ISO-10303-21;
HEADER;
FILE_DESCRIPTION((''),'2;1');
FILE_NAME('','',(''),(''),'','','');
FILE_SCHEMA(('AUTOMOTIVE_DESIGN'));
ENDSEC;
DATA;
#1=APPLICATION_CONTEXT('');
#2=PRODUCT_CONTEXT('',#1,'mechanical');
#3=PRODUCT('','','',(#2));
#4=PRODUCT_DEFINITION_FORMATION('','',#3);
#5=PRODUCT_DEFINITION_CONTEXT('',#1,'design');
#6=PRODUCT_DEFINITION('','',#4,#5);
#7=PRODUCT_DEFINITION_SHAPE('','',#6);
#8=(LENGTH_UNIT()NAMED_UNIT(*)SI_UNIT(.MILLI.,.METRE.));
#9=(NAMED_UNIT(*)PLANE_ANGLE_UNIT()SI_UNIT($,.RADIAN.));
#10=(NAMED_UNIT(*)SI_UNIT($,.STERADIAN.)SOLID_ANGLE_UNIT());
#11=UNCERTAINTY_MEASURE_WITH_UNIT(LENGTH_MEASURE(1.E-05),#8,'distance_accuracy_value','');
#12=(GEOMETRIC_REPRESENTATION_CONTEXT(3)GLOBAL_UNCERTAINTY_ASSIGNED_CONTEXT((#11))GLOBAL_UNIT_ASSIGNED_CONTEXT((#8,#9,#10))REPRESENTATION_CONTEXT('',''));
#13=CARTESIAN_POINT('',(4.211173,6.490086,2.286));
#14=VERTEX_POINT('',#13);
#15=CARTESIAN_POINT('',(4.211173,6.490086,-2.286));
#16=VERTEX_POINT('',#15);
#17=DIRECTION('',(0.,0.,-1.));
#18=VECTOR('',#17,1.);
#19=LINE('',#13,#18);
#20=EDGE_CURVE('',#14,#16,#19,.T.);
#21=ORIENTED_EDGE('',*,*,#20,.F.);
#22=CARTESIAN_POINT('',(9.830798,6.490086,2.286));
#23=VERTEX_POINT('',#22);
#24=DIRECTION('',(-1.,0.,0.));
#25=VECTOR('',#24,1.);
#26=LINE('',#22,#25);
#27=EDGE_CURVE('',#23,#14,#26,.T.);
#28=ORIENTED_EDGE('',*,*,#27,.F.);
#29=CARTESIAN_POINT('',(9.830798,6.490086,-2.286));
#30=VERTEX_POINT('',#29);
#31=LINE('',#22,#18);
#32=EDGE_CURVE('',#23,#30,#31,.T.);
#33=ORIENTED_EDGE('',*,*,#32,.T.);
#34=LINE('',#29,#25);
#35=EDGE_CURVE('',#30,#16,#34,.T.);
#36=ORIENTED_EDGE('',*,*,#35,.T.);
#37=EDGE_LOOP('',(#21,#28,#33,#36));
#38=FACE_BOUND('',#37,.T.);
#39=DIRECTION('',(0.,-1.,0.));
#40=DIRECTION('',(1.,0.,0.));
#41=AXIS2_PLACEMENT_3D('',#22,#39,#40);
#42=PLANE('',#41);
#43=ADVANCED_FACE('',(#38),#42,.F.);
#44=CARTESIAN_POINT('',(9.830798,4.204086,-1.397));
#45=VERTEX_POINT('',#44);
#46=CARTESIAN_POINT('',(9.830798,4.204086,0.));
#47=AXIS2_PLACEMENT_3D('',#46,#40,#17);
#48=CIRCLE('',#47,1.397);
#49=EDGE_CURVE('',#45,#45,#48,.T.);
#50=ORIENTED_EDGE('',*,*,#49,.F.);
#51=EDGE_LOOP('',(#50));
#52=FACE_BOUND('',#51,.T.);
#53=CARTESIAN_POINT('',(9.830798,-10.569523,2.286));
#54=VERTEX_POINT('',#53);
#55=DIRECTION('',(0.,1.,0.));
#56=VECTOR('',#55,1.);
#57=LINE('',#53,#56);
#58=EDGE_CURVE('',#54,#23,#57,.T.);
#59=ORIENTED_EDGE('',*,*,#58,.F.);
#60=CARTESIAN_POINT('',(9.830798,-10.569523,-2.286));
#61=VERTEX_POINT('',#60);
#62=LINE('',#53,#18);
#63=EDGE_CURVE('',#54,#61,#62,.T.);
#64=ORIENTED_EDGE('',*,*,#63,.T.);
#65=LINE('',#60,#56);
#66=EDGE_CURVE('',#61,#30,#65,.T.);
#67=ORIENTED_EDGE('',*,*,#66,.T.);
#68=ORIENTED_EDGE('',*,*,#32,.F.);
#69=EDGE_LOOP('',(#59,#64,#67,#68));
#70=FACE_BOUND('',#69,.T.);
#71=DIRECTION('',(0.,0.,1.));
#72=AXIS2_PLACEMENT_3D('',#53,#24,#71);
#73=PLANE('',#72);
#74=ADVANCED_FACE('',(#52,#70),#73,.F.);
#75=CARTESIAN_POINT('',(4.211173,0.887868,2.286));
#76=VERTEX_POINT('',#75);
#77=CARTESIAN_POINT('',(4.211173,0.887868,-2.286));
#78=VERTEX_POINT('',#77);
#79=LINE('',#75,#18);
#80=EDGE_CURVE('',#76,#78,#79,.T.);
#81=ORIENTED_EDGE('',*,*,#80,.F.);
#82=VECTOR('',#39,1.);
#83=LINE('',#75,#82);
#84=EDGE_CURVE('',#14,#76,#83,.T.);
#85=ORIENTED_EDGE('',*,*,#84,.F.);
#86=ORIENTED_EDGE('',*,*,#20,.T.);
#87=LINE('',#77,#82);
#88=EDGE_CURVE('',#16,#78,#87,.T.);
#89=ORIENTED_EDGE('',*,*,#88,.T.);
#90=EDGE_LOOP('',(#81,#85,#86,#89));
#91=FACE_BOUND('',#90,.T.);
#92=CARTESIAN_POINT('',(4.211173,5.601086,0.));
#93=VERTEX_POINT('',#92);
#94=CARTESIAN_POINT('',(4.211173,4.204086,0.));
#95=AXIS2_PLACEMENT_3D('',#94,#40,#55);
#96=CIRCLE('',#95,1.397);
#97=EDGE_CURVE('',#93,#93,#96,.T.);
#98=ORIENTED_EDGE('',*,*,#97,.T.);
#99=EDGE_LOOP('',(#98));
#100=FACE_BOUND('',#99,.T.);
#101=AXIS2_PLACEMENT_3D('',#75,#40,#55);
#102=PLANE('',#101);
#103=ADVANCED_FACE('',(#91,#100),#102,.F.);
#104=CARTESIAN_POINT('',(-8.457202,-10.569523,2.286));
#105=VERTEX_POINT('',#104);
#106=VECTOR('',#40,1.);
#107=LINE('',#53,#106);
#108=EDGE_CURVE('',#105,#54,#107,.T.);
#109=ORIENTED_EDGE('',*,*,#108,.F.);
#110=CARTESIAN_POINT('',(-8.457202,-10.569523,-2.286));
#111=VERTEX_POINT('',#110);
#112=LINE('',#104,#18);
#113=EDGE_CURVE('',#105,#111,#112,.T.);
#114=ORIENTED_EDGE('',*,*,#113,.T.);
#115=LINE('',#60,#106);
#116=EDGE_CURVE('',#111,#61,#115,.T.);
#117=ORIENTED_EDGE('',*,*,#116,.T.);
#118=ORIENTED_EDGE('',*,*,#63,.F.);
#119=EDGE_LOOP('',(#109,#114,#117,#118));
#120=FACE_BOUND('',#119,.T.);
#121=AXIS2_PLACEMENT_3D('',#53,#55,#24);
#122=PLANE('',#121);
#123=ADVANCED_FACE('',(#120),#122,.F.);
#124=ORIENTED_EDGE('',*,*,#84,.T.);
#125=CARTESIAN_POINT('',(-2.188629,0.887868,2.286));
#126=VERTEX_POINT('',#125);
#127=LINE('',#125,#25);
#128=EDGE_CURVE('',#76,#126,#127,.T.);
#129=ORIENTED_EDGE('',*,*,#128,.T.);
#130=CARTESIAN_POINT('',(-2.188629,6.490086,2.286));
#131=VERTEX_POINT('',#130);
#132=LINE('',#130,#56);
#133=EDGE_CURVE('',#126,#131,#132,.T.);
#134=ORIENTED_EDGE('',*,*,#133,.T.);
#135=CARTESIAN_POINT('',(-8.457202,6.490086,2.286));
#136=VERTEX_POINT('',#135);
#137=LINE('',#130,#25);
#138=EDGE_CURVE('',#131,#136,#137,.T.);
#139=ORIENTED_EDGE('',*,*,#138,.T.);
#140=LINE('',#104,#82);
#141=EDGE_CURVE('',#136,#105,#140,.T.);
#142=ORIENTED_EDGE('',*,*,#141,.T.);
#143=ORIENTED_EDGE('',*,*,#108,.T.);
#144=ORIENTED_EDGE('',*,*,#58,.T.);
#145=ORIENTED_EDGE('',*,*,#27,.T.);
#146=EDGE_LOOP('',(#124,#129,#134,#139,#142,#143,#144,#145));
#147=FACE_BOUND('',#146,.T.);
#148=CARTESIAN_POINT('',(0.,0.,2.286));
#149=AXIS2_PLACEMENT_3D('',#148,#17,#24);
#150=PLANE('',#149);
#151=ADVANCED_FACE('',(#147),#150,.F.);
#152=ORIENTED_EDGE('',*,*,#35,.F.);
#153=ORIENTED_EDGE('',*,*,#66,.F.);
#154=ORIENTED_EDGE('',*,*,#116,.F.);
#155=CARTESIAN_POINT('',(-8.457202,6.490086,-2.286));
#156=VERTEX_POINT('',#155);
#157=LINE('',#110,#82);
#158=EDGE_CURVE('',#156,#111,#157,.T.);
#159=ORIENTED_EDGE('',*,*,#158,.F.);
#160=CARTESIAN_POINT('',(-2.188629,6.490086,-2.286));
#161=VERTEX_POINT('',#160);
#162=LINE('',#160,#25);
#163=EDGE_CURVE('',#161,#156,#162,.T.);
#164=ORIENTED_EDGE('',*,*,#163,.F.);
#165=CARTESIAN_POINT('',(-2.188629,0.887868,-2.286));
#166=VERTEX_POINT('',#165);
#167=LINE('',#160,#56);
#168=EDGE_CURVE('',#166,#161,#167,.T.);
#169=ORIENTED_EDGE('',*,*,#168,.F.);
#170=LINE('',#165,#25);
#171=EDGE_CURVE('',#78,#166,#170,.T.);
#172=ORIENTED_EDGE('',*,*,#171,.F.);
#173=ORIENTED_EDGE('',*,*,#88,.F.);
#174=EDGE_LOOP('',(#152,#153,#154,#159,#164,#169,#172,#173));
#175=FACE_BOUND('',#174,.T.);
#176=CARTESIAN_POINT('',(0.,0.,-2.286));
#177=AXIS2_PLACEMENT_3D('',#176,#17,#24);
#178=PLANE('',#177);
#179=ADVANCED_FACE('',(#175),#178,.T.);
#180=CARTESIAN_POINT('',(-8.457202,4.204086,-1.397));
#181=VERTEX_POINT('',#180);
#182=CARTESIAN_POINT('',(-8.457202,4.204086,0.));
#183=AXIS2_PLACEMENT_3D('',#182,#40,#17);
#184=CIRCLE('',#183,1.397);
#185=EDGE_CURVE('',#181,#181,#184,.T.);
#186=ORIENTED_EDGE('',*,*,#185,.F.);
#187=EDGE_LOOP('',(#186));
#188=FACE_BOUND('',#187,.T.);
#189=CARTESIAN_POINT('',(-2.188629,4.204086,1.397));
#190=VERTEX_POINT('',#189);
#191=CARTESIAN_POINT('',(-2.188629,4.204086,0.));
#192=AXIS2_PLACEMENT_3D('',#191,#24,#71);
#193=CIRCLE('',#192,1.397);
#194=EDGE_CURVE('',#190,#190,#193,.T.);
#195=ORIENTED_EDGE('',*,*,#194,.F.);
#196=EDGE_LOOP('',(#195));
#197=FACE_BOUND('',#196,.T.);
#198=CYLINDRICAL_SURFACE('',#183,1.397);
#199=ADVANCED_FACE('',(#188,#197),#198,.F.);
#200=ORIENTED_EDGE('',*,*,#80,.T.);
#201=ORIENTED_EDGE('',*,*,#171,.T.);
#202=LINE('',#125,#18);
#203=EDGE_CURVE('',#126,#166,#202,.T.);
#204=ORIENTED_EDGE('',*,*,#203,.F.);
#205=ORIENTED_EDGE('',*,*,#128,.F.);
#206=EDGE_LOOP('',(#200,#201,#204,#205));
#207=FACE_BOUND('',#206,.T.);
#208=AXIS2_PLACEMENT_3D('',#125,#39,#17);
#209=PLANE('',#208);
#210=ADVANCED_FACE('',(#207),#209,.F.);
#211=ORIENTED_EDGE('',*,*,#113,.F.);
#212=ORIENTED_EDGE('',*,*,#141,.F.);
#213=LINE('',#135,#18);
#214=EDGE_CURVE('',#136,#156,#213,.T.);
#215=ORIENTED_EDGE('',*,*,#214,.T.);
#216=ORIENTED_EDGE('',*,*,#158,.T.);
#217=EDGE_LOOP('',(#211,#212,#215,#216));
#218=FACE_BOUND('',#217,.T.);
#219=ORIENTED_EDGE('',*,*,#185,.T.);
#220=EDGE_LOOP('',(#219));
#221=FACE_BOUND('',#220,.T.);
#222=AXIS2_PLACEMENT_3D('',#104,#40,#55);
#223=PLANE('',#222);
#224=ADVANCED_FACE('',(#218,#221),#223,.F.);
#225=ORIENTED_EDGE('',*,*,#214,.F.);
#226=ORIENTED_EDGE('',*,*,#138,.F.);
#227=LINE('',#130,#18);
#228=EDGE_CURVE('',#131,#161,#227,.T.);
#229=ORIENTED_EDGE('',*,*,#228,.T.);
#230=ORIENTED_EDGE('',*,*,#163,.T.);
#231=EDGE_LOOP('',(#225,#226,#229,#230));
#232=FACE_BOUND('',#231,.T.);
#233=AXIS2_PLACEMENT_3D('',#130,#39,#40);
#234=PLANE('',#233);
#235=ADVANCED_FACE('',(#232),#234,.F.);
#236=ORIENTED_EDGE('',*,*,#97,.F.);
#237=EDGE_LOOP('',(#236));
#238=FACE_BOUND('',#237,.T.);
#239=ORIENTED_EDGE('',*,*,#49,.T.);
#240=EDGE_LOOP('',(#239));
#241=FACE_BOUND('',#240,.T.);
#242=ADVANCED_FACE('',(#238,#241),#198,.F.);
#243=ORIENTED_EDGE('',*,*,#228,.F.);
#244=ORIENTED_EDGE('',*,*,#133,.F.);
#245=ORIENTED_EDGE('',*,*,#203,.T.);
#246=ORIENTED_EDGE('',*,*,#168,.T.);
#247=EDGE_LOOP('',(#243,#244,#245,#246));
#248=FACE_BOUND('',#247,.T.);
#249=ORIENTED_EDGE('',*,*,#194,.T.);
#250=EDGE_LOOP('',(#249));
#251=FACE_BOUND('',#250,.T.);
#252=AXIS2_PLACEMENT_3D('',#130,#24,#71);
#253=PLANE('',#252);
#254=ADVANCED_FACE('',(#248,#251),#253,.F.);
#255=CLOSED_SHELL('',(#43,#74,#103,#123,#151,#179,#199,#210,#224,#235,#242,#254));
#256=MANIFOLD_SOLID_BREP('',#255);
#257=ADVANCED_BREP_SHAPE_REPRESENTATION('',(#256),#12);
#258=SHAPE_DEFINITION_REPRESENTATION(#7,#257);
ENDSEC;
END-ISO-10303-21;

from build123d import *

# Parameters (mm, degrees)
BOSS_EXTRUDE1_DEPTH = 2.286
SKETCH3_R           = 1.397
CUT_EXTRUDE1_DEPTH  = 19.288


with BuildPart() as part:
    # Sketch1 → Boss-Extrude1 (new body, symmetric)
    with BuildSketch(Plane.XY):
        Polygon((9.83079784, -10.569522716), (-8.45720216, -10.569522716), (-8.45720216, 6.49008613), (-2.188628559, 6.49008613), (-2.188628559, 0.887867874), (4.211173098, 0.887867874), (4.211173098, 6.49008613), (9.83079784, 6.49008613), align=None)
    extrude(amount=BOSS_EXTRUDE1_DEPTH, both=True)

    # Sketch3 → Cut-Extrude1 (cut, through all)
    with BuildSketch(Plane(origin=(9.83079784, 0, 0), x_dir=(0, 0, -1), z_dir=(1, 0, 0))):
        with Locations((0, 4.20408613)):
            Circle(SKETCH3_R)
    extrude(amount=-CUT_EXTRUDE1_DEPTH, mode=Mode.SUBTRACT)


solid = part.part
